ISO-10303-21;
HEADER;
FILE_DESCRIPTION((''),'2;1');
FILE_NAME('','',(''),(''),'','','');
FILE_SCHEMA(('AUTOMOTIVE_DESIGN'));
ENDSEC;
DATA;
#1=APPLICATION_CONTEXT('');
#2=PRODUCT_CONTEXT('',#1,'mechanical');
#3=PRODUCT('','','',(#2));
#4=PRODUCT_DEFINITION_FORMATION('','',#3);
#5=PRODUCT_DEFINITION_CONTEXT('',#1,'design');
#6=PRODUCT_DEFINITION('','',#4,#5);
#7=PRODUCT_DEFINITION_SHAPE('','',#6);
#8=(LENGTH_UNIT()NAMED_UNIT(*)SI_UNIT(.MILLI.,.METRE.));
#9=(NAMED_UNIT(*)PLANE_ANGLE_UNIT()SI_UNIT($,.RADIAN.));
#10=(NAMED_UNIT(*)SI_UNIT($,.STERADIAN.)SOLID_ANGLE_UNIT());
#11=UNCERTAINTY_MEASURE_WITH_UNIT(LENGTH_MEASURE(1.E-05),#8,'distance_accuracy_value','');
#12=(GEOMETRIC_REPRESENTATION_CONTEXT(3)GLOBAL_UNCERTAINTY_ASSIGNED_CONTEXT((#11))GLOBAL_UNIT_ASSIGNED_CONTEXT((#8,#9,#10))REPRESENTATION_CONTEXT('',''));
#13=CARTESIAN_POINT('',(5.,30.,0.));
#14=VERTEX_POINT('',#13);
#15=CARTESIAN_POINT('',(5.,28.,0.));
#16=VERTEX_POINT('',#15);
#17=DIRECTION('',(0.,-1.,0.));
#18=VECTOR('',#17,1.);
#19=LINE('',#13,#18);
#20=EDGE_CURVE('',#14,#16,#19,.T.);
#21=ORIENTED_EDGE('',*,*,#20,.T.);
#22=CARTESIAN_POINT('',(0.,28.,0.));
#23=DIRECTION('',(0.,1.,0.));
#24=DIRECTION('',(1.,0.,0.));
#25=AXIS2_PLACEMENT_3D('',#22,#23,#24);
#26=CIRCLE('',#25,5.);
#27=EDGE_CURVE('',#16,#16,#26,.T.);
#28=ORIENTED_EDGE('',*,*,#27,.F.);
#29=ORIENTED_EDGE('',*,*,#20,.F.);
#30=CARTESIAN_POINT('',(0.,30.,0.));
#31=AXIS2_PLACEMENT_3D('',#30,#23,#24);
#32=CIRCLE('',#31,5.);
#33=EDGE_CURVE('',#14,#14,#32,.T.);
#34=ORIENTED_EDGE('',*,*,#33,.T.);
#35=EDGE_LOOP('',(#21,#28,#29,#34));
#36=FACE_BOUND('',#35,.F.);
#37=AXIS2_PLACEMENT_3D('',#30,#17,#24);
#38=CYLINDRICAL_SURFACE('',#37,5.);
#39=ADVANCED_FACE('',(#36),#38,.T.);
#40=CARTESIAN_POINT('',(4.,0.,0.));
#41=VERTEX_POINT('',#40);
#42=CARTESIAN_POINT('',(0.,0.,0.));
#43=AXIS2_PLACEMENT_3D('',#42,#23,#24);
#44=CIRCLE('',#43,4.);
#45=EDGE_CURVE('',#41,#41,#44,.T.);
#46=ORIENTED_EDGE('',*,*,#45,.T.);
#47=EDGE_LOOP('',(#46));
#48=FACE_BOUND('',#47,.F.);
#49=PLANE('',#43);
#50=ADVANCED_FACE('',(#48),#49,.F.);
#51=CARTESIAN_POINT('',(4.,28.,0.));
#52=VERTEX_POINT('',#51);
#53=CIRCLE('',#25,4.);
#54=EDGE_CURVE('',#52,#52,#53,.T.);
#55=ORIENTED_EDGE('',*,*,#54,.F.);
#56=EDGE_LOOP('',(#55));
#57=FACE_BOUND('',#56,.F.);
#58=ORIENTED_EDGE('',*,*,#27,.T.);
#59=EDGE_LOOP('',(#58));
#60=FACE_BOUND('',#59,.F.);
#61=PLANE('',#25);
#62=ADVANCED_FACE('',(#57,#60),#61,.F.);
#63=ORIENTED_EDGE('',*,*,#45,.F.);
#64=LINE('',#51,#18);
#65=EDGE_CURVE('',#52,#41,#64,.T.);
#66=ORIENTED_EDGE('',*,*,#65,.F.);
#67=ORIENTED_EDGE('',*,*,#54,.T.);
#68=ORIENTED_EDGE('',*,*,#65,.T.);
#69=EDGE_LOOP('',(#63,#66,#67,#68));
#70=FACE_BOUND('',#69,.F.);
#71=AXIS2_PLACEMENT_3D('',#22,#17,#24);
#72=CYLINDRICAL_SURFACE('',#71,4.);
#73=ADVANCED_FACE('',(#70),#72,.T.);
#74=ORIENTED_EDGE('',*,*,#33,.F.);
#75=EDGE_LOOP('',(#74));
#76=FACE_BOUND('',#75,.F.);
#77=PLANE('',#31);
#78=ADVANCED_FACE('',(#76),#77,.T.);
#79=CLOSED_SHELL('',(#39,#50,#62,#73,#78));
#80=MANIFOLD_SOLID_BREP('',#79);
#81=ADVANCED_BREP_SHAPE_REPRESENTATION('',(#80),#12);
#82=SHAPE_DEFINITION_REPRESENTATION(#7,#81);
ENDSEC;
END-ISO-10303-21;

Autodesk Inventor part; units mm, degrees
ref_plane "YZ Plane" through (0, 0, 0) normal (1, 0, 0) x (0, 1, 0)
ref_plane "XZ Plane" through (0, 0, 0) normal (0, 1, 0) x (-1, 0, 0)
ref_plane "XY Plane" through (0, 0, 0) normal (0, 0, 1) x (1, 0, 0)
sketch "Sketch1" plane through (0, 0, 0) normal (0, 0, 1) x (1, 0, 0)
  line L0 (0, 0) -> (0, 30)
  line L1 (0, 30) -> (5, 30)
  line L2 (5, 30) -> (5, 28)
  line L3 (5, 28) -> (4, 28)
  line L4 (4, 28) -> (4, 0)
  line L5 (4, 0) -> (0, 0)
  dimension "d0" = 30
  dimension "d1" = 5
  dimension "d2" = 2
  dimension "d3" = 1
  dimension "d4" = 28
  dimension "d5" = 4
revolve "Revolution1" add sketch "Sketch1" angle 360 about axis through (0, 0, 0) along (0, 1, 0)
properties part number "Shaft"
